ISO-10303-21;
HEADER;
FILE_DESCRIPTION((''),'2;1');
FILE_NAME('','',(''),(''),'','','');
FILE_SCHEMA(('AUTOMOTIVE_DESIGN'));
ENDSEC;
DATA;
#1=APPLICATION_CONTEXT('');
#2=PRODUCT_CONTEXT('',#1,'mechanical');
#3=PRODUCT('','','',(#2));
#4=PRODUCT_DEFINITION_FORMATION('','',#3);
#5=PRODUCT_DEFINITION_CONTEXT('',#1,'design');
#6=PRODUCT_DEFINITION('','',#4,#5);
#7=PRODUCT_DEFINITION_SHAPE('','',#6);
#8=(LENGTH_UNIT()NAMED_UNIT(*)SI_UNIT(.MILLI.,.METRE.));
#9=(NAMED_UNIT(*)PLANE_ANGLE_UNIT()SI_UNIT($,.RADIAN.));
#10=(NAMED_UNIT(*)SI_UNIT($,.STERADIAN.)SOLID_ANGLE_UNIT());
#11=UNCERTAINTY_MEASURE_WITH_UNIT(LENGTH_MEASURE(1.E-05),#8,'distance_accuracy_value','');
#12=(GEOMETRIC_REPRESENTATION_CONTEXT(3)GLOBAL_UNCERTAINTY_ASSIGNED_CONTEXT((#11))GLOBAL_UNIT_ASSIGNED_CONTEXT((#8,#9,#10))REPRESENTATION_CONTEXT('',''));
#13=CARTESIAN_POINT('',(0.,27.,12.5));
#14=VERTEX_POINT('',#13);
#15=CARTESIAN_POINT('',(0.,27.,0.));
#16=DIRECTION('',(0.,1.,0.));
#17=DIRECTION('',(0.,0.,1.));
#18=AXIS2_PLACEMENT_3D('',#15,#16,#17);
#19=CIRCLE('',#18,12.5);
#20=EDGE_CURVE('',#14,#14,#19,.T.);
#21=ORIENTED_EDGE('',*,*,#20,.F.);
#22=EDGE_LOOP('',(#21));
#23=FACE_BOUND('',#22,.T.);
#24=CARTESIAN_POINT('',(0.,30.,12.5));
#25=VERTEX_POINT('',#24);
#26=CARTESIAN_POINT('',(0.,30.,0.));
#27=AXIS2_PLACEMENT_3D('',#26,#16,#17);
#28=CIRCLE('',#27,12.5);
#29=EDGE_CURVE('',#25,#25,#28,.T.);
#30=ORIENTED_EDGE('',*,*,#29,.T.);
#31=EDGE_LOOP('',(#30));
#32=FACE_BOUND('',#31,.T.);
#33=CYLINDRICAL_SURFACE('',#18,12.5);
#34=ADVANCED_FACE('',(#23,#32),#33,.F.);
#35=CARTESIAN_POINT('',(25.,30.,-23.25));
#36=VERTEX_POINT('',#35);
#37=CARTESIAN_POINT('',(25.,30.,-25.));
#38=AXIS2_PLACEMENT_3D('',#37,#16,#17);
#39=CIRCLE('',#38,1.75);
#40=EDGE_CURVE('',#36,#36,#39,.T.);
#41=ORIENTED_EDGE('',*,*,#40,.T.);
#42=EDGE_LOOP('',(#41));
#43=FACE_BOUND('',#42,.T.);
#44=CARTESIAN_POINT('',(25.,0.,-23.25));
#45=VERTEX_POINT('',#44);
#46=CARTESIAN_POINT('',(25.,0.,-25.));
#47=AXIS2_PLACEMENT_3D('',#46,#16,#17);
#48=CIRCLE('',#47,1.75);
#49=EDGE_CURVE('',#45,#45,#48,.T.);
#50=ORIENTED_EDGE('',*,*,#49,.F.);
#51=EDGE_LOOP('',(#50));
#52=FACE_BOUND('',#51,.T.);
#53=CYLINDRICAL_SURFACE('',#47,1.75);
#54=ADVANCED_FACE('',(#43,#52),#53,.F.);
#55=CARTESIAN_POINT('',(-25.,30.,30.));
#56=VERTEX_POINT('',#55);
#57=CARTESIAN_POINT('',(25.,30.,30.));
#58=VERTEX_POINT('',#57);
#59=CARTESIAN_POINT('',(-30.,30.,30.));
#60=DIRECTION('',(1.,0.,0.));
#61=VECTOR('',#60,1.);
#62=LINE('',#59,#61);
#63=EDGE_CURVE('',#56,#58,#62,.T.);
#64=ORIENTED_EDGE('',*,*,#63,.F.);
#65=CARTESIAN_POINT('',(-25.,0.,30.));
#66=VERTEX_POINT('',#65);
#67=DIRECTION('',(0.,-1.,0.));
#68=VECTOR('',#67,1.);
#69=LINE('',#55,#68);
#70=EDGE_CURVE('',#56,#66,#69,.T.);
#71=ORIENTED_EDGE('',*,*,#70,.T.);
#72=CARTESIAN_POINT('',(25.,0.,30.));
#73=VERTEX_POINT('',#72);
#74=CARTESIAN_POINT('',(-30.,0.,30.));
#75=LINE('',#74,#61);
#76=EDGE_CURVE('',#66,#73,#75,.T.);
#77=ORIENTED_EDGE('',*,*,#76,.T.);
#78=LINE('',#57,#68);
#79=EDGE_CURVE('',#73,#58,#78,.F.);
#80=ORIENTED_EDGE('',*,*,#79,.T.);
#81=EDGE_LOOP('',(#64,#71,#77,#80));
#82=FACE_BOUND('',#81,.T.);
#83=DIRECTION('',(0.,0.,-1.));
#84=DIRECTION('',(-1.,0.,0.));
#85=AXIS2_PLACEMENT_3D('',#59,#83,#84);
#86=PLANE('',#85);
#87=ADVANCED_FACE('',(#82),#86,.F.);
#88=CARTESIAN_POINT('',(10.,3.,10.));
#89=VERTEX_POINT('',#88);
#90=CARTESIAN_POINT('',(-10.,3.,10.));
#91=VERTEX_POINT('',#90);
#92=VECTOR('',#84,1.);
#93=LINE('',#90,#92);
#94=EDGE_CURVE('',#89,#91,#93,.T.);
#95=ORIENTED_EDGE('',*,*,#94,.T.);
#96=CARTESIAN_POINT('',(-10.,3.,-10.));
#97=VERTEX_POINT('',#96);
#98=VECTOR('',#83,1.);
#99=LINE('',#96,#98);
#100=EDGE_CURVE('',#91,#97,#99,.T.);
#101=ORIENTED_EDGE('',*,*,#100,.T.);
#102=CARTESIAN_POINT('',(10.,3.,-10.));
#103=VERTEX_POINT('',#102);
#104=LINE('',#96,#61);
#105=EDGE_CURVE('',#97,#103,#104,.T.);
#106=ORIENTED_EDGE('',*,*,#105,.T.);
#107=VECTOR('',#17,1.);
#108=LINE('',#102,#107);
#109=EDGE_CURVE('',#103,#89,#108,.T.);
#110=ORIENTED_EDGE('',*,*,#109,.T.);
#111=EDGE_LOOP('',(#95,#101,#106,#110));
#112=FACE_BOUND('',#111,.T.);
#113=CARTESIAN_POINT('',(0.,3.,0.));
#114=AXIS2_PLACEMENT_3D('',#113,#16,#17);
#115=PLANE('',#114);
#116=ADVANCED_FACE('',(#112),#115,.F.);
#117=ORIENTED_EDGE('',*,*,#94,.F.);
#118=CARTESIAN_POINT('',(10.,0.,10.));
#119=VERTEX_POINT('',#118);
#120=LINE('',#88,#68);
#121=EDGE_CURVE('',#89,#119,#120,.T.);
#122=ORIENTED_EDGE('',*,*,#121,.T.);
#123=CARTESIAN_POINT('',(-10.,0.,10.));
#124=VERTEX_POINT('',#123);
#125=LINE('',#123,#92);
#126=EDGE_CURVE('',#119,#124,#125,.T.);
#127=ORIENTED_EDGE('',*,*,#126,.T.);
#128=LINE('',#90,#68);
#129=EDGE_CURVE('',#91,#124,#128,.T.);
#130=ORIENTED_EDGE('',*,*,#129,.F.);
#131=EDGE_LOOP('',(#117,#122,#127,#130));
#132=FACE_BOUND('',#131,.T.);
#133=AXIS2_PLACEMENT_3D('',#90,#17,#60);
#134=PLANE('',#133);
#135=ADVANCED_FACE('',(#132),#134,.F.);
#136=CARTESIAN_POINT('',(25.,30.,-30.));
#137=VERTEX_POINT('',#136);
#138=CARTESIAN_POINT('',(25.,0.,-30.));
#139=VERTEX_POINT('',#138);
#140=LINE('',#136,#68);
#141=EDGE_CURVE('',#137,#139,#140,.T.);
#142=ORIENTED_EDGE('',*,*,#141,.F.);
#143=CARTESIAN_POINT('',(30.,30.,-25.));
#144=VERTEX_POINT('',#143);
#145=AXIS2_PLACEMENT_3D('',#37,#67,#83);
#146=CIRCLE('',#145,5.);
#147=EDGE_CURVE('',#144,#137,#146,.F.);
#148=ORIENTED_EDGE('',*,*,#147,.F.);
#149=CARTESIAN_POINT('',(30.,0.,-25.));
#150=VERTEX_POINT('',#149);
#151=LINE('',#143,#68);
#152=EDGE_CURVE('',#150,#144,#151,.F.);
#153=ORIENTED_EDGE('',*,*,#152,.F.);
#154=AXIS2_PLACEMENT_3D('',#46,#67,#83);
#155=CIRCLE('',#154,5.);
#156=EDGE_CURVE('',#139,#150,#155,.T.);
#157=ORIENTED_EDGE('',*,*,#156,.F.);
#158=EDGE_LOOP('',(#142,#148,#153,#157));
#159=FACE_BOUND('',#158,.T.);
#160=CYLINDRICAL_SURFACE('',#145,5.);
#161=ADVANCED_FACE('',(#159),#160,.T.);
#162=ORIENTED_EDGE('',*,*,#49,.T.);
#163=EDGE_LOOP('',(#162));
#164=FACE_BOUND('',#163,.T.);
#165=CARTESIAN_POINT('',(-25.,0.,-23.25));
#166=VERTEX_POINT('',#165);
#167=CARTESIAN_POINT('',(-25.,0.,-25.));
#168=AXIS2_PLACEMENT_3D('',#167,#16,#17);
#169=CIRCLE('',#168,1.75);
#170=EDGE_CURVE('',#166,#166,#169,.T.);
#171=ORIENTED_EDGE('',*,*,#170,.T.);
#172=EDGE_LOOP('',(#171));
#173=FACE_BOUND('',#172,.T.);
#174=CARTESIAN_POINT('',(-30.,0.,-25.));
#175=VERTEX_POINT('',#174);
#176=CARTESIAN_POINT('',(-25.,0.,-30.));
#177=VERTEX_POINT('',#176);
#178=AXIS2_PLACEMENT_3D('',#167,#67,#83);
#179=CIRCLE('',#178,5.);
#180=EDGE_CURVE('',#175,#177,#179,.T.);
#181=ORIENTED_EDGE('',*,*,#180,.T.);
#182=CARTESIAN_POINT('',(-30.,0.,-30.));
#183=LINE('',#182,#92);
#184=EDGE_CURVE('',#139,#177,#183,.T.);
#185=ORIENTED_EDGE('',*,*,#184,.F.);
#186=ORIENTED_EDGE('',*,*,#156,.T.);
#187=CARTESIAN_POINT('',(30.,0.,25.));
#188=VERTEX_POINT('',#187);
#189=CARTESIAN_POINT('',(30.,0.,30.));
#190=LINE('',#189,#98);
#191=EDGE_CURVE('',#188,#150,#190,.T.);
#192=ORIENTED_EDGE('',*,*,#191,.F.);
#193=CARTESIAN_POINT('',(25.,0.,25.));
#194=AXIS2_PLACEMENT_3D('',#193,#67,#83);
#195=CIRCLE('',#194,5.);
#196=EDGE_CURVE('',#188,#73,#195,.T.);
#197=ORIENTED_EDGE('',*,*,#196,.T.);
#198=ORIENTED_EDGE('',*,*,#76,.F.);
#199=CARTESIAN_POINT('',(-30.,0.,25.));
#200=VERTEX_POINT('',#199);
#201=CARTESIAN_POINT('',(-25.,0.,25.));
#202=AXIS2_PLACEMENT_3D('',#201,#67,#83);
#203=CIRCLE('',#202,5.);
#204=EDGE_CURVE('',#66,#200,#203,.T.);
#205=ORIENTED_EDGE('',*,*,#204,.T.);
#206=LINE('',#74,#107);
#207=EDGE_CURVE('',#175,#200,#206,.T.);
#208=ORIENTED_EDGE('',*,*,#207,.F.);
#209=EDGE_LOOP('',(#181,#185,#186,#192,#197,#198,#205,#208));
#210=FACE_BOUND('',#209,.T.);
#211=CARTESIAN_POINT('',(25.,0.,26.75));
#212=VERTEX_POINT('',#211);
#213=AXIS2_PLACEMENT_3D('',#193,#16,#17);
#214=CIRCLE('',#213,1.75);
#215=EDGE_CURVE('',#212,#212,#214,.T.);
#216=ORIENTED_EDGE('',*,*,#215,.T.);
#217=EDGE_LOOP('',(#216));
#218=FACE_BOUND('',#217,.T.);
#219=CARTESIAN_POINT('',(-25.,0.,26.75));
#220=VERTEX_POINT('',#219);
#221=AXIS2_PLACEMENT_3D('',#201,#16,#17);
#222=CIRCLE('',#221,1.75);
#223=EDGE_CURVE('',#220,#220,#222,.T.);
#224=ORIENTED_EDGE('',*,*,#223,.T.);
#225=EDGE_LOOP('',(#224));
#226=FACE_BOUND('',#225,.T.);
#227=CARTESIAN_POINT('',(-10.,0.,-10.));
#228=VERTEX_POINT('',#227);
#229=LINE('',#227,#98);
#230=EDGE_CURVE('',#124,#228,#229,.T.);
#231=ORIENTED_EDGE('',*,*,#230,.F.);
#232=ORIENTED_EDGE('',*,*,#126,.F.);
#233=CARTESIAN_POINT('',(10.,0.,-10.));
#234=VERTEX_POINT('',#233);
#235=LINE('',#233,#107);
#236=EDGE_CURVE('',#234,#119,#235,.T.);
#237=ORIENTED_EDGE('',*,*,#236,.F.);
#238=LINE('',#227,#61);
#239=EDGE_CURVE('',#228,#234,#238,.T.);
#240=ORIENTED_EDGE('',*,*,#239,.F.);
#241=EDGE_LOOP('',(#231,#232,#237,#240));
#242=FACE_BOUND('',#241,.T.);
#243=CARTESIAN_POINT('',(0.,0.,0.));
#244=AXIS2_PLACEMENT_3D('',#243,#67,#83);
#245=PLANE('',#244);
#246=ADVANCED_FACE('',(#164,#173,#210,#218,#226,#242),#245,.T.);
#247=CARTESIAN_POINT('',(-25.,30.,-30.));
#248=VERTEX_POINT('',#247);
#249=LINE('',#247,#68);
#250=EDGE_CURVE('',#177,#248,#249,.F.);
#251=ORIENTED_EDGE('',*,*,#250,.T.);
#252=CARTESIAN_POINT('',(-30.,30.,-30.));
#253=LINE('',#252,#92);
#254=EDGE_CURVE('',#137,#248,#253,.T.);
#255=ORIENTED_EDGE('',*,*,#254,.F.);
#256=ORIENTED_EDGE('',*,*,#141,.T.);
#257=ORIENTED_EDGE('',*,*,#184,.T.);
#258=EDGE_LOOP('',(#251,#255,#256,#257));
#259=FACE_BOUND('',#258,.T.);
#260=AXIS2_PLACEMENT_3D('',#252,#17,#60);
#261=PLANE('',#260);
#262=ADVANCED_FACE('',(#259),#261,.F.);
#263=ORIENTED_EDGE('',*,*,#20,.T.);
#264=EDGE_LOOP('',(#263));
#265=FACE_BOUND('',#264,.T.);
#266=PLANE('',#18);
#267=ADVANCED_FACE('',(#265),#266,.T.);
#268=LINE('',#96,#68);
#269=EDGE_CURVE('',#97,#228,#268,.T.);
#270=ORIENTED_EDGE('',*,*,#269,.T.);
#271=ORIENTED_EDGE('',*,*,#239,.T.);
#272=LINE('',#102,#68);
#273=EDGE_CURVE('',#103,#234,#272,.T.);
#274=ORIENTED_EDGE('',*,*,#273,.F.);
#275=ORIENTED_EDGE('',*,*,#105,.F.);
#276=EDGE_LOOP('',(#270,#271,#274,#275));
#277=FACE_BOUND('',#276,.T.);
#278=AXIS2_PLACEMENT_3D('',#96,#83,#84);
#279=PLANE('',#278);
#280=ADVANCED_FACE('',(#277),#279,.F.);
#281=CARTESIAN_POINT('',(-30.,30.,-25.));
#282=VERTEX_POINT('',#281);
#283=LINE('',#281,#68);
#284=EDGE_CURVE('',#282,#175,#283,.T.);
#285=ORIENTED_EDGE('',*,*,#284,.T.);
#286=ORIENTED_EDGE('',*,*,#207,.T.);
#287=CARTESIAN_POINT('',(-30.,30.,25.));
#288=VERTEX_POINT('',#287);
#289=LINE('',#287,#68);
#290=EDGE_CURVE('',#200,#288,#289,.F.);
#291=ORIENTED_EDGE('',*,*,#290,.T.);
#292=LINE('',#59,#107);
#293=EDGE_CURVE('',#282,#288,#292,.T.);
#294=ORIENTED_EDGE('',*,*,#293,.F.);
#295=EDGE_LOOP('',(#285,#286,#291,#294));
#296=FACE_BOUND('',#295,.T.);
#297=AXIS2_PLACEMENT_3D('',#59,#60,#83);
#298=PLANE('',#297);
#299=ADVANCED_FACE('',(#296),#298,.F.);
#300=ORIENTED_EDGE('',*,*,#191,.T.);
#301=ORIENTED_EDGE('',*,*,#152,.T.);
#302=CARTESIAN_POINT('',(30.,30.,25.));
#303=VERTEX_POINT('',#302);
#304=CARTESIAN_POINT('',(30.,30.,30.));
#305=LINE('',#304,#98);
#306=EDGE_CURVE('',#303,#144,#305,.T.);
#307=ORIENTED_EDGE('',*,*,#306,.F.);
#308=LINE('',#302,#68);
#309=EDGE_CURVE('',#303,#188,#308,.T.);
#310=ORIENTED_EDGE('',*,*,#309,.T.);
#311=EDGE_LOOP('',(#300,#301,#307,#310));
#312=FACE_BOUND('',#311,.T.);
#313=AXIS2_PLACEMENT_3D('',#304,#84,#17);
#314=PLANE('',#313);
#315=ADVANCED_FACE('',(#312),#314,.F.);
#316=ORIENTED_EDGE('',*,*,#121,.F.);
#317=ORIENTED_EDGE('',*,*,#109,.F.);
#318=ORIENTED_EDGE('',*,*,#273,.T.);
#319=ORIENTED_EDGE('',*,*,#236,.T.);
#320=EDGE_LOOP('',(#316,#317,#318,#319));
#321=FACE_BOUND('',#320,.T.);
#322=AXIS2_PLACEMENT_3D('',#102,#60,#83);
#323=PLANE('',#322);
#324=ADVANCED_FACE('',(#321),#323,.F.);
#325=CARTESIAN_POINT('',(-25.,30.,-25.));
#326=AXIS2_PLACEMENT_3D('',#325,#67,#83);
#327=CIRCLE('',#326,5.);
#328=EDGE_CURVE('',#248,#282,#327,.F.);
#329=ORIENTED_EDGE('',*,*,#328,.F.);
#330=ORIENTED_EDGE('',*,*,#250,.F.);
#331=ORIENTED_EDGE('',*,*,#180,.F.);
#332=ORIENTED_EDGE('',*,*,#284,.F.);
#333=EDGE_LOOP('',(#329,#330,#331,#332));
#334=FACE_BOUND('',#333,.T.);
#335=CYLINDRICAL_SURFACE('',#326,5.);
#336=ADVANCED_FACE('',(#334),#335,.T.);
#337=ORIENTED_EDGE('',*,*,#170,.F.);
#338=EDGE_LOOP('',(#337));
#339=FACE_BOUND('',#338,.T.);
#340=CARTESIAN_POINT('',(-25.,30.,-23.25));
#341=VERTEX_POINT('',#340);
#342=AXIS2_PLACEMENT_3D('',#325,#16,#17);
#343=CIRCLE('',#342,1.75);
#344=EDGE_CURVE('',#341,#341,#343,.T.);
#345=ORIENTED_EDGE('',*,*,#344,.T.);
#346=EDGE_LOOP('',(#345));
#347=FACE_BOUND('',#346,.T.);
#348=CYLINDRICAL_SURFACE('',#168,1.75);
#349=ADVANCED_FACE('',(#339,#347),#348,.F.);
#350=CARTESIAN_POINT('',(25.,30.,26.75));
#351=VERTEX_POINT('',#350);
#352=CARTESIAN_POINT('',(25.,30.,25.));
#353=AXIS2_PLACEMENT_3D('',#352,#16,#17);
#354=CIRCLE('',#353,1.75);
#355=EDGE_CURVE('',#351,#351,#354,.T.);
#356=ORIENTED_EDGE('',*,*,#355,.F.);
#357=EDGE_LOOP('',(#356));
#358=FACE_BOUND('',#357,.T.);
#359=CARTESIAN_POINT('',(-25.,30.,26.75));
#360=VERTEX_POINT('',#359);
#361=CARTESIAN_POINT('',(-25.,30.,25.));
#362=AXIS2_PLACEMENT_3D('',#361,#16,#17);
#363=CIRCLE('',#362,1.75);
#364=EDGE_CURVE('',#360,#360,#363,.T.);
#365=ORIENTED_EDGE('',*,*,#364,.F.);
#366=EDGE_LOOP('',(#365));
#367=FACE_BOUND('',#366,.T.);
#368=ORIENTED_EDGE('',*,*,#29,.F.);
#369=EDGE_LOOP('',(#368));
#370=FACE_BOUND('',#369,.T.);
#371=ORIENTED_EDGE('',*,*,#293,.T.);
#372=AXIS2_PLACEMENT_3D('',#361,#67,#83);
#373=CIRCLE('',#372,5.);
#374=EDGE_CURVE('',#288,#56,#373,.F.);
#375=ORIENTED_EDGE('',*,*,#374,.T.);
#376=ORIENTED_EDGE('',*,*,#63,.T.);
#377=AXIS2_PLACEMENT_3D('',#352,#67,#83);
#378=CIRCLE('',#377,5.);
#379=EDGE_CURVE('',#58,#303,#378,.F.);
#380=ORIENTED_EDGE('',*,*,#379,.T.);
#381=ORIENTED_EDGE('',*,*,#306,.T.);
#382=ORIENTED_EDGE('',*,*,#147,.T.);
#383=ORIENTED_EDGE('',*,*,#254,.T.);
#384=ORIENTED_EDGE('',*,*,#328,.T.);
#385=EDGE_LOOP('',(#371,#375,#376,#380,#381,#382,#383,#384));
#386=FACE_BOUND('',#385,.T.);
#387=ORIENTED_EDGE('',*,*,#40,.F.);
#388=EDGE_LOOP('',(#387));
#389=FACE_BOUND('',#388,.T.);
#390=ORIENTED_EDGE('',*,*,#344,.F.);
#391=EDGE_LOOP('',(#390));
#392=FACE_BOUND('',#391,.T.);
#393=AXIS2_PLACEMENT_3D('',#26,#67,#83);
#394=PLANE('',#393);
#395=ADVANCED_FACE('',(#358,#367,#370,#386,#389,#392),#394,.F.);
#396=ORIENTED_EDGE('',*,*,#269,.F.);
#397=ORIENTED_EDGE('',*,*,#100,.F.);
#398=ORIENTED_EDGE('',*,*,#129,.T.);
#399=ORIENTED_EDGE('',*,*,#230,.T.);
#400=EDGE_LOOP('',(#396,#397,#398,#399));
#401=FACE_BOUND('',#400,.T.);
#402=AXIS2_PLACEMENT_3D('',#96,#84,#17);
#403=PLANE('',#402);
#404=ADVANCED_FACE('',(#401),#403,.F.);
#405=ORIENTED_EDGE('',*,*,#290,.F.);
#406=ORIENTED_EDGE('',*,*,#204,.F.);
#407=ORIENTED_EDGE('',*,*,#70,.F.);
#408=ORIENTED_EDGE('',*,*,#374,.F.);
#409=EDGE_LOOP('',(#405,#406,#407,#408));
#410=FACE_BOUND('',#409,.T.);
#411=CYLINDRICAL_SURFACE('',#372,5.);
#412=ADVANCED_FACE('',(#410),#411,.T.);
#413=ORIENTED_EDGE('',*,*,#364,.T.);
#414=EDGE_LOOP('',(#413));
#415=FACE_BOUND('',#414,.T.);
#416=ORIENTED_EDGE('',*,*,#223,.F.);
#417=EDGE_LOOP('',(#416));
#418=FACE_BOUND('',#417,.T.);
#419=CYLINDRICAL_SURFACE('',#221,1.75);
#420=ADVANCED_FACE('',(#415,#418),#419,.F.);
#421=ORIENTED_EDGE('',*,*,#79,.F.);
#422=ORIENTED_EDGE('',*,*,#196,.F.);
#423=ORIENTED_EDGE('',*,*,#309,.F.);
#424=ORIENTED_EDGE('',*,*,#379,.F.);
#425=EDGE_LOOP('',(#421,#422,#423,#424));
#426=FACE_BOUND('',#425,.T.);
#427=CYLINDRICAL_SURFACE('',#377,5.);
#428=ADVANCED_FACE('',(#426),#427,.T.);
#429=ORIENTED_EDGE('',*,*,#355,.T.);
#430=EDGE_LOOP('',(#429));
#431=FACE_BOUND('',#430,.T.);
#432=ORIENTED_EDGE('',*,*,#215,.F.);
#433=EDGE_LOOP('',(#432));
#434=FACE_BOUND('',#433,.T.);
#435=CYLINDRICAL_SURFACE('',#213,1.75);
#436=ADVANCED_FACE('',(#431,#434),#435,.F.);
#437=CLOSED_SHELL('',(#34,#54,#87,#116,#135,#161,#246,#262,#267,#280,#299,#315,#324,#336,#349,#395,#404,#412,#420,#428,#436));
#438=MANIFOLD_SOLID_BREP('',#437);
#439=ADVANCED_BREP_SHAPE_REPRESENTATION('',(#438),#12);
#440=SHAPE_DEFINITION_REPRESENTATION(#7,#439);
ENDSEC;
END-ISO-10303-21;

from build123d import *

# Parameters (mm, degrees)
SKETCH_1_W          = 60
SKETCH_1_H          = 60
EXTRUDE_1_DEPTH     = 30
SKETCH_2_R          = 1.75
CUT_EXTRUDE_1_DEPTH = 30
SKETCH_3_R          = 12.5
CUT_EXTRUDE_2_DEPTH = 3
SKETCH_4_W          = 20
SKETCH_4_H          = 20
CUT_EXTRUDE_3_DEPTH = 3
FILLET_1_R          = 5


with BuildPart() as part:
    # 草图1 → 凸台-拉伸1 (new body)
    with BuildSketch(Plane(origin=(0, 0, 0), x_dir=(1, 0, 0), z_dir=(0, 1, 0))):
        Rectangle(SKETCH_1_W, SKETCH_1_H)
    extrude(amount=EXTRUDE_1_DEPTH)

    # 草图2 → 切除-拉伸1 (cut)
    with BuildSketch(Plane(origin=(0, 30, 0), x_dir=(1, 0, 0), z_dir=(0, 1, 0))):
        with Locations(Location((25, 25, 0), (0, 0, 270))):
            Circle(SKETCH_2_R)
        with Locations(Location((-25, 25, 0), (0, 0, 270))):
            Circle(SKETCH_2_R)
        with Locations(Location((-25, -25, 0), (0, 0, 270))):
            Circle(SKETCH_2_R)
        with Locations(Location((25, -25, 0), (0, 0, 270))):
            Circle(SKETCH_2_R)
    extrude(amount=-CUT_EXTRUDE_1_DEPTH, mode=Mode.SUBTRACT)

    # 草图3 → 切除-拉伸2 (cut)
    with BuildSketch(Plane(origin=(0, 30, 0), x_dir=(1, 0, 0), z_dir=(0, 1, 0))):
        with Locations(Location((0, 0, 0), (0, 0, 270))):
            Circle(SKETCH_3_R)
    extrude(amount=-CUT_EXTRUDE_2_DEPTH, mode=Mode.SUBTRACT)

    # 草图4 → 切除-拉伸3 (cut)
    with BuildSketch(Plane.XZ):
        Rectangle(SKETCH_4_W, SKETCH_4_H)
    extrude(amount=-CUT_EXTRUDE_3_DEPTH, mode=Mode.SUBTRACT)

    # 圆角1
    fillet_1_edges = [part.edges().sort_by_distance(p)[0] for p in [
        (30, 15, 30),
        (-30, 15, 30),
        (-30, 15, -30),
        (30, 15, -30),
    ]]
    fillet(fillet_1_edges, radius=FILLET_1_R)


solid = part.part
